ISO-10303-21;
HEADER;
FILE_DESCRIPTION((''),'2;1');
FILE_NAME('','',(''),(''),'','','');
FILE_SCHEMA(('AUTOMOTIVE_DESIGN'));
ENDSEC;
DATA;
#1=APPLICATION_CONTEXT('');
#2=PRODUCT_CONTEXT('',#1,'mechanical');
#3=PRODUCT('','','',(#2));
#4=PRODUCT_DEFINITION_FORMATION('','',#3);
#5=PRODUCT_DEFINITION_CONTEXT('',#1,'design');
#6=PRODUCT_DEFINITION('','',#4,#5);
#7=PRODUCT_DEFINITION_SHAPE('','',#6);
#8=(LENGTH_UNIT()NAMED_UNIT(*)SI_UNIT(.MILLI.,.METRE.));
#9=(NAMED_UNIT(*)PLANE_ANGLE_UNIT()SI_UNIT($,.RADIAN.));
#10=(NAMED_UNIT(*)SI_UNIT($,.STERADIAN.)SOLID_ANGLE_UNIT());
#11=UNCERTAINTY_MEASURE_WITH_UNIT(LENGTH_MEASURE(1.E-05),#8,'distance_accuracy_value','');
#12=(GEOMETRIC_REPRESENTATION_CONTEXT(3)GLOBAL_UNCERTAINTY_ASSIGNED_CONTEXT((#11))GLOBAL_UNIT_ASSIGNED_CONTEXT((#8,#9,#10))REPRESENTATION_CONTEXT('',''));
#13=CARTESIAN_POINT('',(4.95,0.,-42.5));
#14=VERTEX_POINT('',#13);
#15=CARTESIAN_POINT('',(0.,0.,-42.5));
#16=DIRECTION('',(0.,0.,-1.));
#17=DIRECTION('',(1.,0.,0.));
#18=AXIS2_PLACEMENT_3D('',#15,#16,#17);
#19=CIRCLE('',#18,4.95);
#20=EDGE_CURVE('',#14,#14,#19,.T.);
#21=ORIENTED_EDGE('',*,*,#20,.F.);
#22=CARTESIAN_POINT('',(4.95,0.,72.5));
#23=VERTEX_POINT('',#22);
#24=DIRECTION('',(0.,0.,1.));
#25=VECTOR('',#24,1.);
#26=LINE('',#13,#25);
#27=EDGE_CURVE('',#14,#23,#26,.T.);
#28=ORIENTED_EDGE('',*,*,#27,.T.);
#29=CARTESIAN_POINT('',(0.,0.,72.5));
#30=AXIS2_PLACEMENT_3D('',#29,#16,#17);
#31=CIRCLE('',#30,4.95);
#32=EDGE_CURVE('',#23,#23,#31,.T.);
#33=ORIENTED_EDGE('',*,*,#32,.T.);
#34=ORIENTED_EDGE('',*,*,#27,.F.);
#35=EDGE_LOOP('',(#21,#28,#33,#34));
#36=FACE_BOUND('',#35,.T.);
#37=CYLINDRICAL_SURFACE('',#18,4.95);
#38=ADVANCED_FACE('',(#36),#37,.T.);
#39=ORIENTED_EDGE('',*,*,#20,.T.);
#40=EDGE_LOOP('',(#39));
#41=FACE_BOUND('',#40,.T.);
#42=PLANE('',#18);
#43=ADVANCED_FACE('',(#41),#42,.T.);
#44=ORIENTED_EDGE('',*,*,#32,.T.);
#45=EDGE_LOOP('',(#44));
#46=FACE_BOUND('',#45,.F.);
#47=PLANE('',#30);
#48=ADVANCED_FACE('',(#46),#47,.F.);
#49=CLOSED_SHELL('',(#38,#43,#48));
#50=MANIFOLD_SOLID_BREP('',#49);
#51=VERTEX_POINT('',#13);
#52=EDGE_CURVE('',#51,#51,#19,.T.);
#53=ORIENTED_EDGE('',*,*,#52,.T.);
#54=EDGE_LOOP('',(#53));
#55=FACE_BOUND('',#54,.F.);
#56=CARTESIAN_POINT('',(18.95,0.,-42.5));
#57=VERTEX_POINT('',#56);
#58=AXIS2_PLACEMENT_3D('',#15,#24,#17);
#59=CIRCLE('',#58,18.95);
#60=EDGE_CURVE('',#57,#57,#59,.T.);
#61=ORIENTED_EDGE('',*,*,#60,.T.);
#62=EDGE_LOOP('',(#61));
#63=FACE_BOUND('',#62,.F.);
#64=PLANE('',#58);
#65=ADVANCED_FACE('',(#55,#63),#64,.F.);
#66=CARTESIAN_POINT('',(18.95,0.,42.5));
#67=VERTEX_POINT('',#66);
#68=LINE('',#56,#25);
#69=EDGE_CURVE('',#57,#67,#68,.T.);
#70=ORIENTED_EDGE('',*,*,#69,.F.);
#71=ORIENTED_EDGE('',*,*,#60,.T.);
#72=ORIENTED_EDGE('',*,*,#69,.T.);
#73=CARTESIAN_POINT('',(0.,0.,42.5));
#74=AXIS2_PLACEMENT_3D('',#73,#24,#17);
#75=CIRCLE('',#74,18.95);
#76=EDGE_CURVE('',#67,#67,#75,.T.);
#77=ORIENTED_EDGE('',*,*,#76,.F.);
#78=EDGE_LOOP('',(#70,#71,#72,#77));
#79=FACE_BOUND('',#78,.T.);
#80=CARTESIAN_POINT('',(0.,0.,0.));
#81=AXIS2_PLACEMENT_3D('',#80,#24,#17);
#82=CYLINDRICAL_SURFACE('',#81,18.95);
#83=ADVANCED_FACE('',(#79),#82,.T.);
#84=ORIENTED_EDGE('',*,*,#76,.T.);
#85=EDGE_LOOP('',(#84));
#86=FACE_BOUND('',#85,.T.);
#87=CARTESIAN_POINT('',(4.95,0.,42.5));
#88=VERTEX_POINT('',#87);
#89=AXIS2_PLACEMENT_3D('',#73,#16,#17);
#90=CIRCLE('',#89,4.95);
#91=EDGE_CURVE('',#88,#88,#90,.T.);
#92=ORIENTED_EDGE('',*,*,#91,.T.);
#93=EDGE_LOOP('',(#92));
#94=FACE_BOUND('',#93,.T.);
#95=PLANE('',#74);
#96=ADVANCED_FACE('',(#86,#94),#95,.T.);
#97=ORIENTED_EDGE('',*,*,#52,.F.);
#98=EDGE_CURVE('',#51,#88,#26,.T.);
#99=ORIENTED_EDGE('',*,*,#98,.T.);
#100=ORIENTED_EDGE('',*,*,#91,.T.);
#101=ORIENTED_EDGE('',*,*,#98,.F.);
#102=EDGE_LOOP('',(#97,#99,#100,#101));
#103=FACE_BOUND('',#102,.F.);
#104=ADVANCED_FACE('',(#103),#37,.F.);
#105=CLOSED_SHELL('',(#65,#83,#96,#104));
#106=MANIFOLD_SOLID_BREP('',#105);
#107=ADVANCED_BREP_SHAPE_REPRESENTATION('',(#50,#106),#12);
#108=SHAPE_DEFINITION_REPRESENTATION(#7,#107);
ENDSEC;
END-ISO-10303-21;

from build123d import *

# Parameters (mm, degrees)
F0_R     = 18.95
F1_DEPTH = 42.5
F4_R     = 4.95
F5_DEPTH = 85
F6_R     = 4.95
F7_DEPTH = 115


with BuildPart() as f1:
    # F0 (on Top) → F1 (new body, symmetric)
    with BuildSketch(Plane.XY):
        Circle(F0_R)
    extrude(amount=F1_DEPTH, both=True)

    # F4 (on face) → F5 (cut, through all)
    with BuildSketch(Plane(origin=(0, 0, -42.5), x_dir=(1, 0, 0), z_dir=(0, 0, -1))):
        Circle(F4_R)
    extrude(amount=-F5_DEPTH, mode=Mode.SUBTRACT)


with BuildPart() as f7:
    # F6 (on face) → F7 (new body)
    with BuildSketch(Plane(origin=(0, 0, -42.5), x_dir=(1, 0, 0), z_dir=(0, 0, -1))):
        Circle(F6_R)
    extrude(amount=-F7_DEPTH)


solid = Compound([f1.part, f7.part])
